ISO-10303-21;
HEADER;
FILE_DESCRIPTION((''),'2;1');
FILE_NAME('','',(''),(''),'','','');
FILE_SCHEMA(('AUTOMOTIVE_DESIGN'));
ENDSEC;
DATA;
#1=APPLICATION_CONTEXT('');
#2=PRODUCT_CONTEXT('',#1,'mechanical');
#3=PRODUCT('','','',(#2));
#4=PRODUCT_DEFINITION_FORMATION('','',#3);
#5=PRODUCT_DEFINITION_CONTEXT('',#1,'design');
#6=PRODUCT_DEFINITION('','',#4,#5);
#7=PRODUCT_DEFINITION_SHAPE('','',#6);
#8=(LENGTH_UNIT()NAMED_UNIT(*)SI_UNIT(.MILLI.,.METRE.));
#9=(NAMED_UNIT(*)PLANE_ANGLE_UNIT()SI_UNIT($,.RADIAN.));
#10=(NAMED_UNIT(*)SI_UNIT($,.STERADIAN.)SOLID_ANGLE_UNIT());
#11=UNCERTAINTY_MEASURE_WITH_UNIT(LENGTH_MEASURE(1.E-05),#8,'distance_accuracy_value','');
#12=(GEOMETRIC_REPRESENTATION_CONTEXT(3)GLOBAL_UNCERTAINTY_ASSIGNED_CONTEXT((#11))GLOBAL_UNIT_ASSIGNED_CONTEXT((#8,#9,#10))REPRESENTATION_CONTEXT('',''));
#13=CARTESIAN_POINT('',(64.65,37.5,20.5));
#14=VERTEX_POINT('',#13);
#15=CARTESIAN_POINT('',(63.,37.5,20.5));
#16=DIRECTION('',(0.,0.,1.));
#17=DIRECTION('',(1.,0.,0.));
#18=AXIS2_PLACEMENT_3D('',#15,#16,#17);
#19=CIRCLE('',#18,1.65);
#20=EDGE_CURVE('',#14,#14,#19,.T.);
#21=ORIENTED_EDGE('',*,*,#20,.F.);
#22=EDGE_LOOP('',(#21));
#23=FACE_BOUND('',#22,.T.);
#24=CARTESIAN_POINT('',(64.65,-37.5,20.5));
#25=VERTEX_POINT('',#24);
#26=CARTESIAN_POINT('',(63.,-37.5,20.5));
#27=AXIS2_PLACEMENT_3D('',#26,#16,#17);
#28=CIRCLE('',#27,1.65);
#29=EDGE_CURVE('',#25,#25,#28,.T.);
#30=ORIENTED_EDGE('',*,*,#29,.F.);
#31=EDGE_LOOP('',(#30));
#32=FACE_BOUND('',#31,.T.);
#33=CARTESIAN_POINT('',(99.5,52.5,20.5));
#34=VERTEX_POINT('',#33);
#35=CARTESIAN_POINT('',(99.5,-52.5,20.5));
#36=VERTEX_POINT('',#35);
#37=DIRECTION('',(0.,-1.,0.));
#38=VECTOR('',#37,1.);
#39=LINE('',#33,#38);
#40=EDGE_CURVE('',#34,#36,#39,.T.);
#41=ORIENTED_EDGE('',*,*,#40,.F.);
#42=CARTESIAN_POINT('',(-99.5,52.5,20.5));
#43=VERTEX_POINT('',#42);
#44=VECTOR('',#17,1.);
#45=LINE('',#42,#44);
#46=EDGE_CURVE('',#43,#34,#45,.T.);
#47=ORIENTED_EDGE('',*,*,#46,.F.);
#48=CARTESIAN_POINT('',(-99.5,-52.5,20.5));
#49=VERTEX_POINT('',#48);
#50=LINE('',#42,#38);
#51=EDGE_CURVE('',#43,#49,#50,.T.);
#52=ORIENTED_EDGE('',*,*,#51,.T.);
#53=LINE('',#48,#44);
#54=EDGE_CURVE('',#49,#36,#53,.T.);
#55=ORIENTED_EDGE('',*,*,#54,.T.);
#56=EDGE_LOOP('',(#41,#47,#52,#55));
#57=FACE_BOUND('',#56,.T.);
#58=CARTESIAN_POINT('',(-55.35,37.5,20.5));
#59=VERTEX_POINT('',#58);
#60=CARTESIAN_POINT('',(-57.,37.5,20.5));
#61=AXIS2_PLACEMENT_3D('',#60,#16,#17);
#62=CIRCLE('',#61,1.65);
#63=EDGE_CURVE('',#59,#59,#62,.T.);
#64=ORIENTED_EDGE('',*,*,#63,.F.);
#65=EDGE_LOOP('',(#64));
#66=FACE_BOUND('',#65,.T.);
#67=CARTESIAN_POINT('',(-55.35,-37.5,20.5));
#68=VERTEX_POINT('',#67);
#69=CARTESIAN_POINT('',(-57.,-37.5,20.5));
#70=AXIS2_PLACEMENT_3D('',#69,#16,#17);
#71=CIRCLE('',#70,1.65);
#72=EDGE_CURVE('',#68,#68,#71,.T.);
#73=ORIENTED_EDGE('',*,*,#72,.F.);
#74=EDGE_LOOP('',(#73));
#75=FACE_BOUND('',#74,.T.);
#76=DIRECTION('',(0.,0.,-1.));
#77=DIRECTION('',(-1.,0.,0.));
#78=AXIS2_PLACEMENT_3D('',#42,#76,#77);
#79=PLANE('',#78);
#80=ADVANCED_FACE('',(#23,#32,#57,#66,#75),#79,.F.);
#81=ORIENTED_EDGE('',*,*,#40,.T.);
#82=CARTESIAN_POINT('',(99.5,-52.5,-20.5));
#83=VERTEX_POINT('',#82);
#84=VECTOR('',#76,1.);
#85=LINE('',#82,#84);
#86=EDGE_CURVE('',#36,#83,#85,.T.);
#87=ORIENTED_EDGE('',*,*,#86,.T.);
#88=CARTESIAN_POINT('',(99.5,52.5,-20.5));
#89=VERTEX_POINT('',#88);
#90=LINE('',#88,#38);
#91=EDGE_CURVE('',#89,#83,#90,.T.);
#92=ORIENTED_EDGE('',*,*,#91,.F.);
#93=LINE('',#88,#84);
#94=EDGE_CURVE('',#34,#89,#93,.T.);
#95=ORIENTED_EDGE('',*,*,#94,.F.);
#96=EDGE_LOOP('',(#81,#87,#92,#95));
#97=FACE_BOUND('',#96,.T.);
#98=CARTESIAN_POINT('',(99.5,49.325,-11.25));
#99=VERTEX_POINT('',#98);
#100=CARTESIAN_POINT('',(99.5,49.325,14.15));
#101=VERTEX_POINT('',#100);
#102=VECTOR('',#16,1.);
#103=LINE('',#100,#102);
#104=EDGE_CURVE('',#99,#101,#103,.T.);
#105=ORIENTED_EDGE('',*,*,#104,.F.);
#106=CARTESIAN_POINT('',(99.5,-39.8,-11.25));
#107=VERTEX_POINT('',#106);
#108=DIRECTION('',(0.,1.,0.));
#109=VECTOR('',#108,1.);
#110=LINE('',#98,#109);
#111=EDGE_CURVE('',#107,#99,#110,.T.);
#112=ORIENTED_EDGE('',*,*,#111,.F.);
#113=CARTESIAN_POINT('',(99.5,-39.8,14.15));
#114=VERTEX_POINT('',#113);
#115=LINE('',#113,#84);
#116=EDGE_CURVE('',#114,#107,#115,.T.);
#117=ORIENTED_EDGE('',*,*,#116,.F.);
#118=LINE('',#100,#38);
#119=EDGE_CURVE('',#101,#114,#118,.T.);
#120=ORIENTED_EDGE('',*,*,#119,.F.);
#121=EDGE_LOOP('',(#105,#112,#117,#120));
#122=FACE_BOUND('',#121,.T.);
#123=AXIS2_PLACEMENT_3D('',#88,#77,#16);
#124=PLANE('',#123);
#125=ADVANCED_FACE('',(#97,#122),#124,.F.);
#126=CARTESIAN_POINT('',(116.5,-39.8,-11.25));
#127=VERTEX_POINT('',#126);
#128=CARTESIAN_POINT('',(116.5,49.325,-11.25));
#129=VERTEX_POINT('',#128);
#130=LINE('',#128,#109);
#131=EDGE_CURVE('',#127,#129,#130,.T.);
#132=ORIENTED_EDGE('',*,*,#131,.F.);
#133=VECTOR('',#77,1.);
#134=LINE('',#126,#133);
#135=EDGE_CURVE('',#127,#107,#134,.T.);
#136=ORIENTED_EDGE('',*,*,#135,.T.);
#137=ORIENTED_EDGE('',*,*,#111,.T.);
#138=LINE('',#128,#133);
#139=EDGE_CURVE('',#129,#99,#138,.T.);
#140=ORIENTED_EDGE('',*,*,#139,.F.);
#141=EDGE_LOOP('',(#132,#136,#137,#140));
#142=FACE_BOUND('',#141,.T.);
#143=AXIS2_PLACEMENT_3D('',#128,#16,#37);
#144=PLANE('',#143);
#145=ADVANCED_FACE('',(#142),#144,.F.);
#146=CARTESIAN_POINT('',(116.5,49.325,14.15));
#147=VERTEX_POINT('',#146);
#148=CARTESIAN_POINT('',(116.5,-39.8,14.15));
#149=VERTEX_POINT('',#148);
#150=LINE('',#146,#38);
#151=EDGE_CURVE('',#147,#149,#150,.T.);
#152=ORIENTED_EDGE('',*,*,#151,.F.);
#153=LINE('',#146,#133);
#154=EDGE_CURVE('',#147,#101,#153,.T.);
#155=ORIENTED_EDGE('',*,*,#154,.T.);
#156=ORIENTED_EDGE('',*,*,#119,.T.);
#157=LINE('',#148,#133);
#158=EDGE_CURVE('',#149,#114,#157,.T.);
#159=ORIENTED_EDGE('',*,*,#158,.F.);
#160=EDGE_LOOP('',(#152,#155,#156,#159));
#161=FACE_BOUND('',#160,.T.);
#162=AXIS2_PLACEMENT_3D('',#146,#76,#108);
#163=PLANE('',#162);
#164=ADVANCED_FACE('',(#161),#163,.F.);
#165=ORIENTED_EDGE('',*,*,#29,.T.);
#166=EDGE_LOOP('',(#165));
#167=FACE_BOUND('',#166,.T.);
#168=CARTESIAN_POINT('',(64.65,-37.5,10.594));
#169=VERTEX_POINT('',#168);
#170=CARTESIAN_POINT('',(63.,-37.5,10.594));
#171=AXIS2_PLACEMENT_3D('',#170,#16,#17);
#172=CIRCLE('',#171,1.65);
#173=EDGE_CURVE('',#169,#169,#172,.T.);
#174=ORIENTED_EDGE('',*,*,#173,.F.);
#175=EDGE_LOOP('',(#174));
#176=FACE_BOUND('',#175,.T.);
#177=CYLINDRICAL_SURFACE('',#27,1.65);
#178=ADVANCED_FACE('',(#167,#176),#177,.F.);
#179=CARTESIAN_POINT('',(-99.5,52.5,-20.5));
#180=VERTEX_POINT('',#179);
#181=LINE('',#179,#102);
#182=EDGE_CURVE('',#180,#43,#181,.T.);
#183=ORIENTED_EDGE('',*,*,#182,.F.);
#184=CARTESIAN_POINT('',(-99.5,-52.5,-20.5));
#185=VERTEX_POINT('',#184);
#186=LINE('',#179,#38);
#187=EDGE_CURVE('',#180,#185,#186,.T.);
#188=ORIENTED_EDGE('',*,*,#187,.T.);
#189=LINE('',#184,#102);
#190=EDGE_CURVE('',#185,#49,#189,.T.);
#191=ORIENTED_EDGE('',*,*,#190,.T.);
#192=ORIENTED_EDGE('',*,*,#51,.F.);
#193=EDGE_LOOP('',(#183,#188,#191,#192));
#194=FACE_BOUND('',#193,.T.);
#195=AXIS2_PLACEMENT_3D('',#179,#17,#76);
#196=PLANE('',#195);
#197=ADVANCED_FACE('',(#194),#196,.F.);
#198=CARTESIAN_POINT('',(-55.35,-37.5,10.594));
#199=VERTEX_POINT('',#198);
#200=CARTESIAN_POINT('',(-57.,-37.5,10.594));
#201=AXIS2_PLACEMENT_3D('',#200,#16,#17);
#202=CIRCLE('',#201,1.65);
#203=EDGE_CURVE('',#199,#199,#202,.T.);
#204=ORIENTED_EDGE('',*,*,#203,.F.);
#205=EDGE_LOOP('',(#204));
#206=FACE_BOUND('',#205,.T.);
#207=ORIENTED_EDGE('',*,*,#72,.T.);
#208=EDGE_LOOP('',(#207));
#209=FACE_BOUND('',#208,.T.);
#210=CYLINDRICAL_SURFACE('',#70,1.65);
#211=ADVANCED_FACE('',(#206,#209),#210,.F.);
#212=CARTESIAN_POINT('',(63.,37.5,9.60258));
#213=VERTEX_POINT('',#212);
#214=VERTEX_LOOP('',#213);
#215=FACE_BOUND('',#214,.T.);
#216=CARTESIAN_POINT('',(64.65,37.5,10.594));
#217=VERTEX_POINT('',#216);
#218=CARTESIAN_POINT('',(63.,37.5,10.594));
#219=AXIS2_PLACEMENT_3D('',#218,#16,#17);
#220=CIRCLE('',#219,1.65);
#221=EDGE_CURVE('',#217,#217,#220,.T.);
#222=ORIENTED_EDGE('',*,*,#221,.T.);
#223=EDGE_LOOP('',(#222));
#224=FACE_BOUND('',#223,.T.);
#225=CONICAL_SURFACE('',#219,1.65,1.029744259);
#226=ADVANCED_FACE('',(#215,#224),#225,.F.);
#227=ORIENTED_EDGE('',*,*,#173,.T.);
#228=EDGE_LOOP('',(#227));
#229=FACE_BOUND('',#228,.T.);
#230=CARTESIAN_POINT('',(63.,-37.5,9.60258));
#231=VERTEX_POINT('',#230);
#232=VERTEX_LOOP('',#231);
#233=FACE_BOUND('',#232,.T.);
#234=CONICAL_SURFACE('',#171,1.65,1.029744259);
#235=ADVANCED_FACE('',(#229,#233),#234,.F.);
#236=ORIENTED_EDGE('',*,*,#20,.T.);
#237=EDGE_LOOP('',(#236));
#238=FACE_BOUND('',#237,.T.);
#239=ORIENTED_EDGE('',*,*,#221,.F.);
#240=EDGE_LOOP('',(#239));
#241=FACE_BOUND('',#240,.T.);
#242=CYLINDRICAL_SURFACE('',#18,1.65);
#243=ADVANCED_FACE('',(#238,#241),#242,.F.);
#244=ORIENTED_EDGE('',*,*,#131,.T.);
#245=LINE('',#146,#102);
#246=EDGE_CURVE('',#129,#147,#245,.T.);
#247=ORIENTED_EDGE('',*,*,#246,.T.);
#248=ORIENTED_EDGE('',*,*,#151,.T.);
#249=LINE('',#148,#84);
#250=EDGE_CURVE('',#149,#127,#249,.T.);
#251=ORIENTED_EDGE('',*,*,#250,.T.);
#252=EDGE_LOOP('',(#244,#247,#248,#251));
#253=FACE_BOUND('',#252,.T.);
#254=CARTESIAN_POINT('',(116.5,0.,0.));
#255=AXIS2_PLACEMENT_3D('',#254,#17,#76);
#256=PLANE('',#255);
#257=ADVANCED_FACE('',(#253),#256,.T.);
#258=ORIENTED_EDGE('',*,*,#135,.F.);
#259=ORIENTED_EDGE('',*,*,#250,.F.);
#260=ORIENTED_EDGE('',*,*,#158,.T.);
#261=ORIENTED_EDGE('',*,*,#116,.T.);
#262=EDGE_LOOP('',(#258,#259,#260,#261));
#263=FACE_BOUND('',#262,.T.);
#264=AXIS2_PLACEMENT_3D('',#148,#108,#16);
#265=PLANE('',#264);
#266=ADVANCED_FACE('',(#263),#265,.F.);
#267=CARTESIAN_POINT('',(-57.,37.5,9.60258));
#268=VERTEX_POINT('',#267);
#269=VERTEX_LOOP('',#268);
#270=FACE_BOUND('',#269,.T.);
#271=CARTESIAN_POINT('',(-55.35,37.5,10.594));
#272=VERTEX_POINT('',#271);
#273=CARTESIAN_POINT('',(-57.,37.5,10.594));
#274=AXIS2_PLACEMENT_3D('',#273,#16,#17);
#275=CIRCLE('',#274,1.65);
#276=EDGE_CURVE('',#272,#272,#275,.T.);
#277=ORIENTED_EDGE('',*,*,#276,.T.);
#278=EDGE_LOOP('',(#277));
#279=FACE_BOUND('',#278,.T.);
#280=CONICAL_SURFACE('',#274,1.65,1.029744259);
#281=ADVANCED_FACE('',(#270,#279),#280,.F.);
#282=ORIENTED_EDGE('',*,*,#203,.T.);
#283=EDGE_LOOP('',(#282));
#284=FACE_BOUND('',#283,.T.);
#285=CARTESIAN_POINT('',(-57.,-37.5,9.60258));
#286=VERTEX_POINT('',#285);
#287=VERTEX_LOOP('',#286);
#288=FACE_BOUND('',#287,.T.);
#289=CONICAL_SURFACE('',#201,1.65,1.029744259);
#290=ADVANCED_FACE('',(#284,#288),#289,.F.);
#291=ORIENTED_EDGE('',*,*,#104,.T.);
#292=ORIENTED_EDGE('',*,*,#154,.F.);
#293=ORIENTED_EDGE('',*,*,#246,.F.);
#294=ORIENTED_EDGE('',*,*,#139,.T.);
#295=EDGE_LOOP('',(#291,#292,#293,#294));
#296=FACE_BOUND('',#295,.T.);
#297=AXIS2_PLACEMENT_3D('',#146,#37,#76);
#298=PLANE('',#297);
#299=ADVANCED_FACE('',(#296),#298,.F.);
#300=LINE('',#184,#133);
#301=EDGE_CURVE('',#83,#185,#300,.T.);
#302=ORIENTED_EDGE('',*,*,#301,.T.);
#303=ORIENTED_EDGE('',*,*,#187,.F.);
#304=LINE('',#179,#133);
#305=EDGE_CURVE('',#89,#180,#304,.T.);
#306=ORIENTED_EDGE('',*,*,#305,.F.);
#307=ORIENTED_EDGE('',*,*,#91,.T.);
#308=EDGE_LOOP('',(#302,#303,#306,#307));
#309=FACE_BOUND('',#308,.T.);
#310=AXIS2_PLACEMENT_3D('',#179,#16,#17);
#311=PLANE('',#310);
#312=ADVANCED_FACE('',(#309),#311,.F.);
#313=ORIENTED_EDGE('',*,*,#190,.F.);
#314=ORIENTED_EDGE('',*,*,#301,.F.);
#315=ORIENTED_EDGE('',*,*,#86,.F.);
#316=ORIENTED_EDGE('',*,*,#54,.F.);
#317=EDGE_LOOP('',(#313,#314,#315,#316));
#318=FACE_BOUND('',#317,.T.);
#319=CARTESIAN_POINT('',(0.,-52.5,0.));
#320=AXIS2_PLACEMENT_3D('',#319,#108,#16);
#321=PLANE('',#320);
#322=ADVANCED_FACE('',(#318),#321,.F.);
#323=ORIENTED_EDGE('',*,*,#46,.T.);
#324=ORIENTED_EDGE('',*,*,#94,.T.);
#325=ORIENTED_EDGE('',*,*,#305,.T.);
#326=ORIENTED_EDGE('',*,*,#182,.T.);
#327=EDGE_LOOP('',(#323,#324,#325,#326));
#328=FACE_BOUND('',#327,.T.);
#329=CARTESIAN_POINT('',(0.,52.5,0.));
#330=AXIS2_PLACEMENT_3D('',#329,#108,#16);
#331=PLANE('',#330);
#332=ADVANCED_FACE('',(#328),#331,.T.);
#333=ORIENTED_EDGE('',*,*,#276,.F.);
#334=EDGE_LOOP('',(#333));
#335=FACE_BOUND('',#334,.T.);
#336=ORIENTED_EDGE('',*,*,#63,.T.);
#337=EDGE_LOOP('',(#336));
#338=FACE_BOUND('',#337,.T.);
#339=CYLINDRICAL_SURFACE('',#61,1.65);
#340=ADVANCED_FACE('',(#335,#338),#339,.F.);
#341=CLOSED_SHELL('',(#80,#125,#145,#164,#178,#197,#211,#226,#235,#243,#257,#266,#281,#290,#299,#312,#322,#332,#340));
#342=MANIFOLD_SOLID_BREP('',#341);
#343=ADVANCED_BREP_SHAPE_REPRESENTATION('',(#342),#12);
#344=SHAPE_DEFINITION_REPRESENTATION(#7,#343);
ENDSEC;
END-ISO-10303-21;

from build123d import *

# Parameters (mm, degrees)
SKETCH1_W                 = 199
SKETCH1_H                 = 41
BOSS_EXTRUDE1_DEPTH       = 52.5
SKETCH10_W                = 25.4
SKETCH10_H                = 89.125
BOSS_EXTRUDE6_DEPTH       = 17
M4X0_7_TAPPED_HOLE1_D     = 3.3
M4X0_7_TAPPED_HOLE1_DEPTH = 9.906
M4X0_7_TAPPED_HOLE1_TIP   = 0.991420021


with BuildPart() as part:
    # Sketch1 → Boss-Extrude1 (new, symmetric)
    with BuildSketch(Plane(origin=(0, 0, 0), x_dir=(1, 0, 0), z_dir=(0, 1, 0))):
        Rectangle(SKETCH1_W, SKETCH1_H)
    extrude(amount=BOSS_EXTRUDE1_DEPTH, both=True)

    # Sketch10 → Boss-Extrude6 (add)
    with BuildSketch(Plane(origin=(99.5, 0, 0), x_dir=(0, 0, -1), z_dir=(1, 0, 0))):
        with Locations((-1.45, 4.7625)):
            Rectangle(SKETCH10_W, SKETCH10_H)
    extrude(amount=BOSS_EXTRUDE6_DEPTH)

    # M4x0.7 Tapped Hole1
    with Locations(Plane.XY.offset(20.5)):
        with Locations((-57, 37.5), (63, -37.5), (-57, -37.5), (63, 37.5)):
            Hole(M4X0_7_TAPPED_HOLE1_D / 2, depth=M4X0_7_TAPPED_HOLE1_DEPTH)
            with Locations((0, 0, -(M4X0_7_TAPPED_HOLE1_DEPTH + M4X0_7_TAPPED_HOLE1_TIP / 2))):  # 118° drill point
                Cone(0, M4X0_7_TAPPED_HOLE1_D / 2, M4X0_7_TAPPED_HOLE1_TIP, mode=Mode.SUBTRACT)


solid = part.part
